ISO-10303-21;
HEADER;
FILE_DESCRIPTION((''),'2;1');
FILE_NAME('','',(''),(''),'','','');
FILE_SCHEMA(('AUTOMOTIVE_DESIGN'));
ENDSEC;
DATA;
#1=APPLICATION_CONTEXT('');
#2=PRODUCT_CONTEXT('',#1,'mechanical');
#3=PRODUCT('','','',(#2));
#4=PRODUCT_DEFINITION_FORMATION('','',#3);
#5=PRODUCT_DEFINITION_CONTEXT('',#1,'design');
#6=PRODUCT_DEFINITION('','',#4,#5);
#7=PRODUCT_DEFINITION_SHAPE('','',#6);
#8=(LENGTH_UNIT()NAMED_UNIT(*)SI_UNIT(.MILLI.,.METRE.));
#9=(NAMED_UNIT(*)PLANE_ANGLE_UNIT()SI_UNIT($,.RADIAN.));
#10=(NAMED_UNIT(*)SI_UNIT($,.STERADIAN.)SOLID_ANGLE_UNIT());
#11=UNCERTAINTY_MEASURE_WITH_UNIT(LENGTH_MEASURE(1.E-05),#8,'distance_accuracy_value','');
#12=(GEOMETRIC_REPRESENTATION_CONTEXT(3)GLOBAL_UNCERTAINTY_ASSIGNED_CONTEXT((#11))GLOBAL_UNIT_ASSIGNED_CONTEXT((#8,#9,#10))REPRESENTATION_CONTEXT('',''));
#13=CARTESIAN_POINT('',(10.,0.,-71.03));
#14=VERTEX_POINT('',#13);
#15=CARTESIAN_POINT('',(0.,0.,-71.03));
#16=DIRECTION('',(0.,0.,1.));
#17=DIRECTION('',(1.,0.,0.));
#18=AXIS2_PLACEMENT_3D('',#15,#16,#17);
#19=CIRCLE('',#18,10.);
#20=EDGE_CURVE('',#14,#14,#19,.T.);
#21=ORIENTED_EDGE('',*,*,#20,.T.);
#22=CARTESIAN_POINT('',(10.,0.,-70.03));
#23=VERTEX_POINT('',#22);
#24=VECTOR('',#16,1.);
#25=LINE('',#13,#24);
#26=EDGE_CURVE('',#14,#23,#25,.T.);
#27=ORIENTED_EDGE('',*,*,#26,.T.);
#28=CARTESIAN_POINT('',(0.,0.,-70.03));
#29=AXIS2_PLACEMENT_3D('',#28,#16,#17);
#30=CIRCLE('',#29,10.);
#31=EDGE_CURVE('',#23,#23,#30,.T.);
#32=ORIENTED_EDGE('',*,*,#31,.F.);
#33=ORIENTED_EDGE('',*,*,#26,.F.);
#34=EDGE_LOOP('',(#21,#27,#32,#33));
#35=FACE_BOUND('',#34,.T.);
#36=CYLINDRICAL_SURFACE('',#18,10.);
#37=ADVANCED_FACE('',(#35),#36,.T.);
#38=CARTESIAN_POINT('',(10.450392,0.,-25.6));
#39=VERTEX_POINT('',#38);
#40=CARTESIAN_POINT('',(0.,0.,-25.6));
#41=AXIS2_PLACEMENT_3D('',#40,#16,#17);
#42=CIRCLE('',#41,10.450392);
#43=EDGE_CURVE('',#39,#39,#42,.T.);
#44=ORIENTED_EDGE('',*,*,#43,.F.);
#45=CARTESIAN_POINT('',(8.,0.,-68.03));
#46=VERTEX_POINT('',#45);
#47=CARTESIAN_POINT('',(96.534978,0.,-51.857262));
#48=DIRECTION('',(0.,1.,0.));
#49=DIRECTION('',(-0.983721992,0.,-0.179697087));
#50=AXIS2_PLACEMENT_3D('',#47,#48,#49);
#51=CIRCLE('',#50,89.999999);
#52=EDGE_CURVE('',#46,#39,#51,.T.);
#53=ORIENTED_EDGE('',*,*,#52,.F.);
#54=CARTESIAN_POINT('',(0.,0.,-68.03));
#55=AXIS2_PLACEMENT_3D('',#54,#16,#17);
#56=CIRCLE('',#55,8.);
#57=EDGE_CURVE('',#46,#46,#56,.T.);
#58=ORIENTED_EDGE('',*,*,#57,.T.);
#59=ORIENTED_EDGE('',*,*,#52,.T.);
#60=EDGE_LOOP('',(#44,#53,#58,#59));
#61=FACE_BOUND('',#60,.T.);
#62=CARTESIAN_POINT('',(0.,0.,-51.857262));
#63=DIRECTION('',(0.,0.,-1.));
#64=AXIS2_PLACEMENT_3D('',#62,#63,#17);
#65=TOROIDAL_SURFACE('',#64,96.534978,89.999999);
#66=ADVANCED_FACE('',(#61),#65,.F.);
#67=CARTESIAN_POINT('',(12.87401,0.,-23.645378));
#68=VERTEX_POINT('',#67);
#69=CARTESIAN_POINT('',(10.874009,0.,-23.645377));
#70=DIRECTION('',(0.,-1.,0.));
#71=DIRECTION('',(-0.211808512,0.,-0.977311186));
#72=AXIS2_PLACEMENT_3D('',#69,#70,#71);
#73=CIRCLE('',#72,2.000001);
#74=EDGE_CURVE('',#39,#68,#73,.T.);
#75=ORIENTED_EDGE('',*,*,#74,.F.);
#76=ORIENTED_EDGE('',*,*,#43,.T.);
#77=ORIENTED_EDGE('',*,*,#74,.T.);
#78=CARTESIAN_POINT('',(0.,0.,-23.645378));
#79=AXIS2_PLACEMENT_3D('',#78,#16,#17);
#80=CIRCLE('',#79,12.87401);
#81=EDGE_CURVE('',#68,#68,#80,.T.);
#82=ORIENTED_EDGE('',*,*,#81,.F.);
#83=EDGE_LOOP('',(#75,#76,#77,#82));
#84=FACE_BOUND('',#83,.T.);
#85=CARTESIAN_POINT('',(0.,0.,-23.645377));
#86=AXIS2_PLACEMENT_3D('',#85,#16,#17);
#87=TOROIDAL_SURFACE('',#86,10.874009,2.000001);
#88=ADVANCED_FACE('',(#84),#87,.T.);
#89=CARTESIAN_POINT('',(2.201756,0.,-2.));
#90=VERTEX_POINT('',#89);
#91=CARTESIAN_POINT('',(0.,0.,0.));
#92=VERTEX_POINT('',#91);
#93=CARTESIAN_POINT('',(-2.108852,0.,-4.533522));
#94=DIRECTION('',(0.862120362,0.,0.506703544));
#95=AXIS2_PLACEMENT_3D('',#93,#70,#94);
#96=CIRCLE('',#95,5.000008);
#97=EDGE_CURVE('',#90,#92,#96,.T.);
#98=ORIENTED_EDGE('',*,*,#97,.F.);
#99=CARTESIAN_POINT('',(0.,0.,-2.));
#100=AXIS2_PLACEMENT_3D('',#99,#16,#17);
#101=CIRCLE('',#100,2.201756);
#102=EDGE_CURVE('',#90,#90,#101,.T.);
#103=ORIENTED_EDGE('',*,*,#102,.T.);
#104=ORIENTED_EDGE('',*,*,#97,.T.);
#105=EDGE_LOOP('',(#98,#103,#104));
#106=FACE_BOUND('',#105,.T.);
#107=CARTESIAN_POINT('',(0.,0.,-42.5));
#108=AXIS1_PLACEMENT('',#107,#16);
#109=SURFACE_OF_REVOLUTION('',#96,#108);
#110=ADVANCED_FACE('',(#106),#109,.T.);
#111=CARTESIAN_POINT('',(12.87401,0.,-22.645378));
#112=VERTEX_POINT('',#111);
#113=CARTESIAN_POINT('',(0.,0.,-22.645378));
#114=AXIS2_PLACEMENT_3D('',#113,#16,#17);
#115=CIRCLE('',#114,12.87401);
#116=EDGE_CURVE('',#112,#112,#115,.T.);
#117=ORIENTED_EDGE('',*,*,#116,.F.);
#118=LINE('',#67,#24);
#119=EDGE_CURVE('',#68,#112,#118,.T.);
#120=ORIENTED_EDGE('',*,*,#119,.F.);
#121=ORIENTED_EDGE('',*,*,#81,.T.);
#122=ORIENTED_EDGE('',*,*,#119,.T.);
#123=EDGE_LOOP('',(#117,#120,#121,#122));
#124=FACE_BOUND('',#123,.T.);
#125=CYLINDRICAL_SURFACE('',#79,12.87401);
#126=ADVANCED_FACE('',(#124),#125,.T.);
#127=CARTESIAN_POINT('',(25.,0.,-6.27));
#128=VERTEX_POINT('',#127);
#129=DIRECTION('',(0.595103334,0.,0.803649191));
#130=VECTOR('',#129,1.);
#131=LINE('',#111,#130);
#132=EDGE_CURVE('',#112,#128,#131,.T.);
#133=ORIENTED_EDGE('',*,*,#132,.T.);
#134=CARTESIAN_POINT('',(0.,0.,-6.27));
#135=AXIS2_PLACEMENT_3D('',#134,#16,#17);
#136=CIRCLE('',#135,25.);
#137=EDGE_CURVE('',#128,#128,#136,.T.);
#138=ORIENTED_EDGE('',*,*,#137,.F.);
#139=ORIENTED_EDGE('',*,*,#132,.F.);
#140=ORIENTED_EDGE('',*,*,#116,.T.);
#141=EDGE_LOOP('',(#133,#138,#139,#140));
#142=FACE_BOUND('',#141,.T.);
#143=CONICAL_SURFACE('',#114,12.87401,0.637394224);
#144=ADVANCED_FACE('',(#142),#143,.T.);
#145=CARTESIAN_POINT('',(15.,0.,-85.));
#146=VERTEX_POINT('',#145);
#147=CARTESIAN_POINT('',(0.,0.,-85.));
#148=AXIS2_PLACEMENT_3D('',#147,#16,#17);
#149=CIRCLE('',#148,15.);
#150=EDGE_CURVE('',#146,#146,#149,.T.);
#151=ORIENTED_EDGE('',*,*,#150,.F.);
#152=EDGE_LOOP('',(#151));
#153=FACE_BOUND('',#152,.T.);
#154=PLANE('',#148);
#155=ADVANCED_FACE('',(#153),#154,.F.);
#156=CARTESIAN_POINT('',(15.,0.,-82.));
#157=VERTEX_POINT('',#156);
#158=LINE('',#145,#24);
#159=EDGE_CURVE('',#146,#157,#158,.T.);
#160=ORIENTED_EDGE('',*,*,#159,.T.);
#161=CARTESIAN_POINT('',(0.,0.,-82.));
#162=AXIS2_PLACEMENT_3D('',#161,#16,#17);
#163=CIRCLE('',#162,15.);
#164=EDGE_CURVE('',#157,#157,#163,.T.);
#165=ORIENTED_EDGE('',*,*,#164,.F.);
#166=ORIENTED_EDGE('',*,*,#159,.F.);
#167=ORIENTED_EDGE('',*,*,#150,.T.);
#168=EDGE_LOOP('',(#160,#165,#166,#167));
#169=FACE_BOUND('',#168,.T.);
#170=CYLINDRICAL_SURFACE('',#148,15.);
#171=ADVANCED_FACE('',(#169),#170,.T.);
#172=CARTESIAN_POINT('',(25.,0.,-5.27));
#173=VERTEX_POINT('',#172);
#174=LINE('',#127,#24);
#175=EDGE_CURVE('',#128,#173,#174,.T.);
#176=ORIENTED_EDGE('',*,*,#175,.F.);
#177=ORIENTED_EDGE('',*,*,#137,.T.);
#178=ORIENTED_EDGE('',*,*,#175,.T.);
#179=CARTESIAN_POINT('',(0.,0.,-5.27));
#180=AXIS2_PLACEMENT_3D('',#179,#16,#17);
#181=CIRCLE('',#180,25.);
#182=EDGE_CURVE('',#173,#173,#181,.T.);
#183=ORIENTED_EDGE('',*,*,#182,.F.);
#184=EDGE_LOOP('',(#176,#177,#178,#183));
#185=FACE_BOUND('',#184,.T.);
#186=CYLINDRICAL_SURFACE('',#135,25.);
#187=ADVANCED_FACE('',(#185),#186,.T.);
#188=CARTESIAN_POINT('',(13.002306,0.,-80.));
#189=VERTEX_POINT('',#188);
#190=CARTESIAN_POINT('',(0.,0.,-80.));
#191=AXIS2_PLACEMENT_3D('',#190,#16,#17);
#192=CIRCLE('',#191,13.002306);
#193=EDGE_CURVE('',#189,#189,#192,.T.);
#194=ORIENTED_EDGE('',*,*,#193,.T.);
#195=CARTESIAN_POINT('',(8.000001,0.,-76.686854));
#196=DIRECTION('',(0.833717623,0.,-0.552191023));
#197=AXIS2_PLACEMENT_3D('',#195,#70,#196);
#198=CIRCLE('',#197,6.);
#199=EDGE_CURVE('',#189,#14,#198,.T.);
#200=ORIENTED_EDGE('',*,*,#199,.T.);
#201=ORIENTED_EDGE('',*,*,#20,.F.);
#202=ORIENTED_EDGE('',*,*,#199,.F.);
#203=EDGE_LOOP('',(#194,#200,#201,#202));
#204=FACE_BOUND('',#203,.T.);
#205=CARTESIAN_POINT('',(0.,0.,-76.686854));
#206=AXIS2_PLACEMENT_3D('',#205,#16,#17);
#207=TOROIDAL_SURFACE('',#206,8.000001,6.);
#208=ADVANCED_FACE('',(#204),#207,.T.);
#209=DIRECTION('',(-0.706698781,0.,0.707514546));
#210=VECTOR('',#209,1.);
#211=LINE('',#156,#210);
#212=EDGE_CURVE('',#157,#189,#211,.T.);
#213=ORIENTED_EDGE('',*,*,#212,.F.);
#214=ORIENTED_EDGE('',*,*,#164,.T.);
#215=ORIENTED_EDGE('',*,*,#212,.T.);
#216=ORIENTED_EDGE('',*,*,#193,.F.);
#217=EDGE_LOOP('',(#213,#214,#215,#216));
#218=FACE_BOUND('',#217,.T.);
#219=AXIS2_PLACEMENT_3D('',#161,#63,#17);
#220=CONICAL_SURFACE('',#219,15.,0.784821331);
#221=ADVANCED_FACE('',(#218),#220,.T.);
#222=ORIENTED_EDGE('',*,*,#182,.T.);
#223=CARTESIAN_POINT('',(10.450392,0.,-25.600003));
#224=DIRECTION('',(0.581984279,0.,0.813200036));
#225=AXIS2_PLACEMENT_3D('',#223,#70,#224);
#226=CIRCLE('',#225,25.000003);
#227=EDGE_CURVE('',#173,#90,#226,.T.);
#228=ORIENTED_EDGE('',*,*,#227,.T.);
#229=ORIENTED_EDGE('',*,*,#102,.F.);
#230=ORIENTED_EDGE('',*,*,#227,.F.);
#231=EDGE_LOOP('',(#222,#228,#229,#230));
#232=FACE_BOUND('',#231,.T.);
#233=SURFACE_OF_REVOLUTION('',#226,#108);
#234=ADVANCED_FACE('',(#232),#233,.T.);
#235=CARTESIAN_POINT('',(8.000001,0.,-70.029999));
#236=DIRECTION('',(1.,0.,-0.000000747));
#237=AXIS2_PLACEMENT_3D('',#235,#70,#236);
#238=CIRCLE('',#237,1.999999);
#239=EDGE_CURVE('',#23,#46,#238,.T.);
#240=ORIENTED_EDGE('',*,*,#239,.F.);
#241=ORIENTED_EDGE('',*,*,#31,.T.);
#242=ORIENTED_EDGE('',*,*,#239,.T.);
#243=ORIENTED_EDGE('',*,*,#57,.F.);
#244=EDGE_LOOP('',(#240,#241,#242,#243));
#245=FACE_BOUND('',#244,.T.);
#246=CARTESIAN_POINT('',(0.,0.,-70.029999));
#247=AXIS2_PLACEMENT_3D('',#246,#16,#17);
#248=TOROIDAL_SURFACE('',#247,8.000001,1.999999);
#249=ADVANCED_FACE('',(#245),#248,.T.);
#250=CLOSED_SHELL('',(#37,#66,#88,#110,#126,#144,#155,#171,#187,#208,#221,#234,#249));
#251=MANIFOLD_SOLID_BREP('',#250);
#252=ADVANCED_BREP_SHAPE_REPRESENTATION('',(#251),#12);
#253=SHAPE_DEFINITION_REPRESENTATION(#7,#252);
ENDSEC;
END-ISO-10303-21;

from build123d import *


with BuildPart() as f1:
    # F0 (on Front) → F1 (revolve)
    with BuildSketch(Plane.XZ):
        with BuildLine():
            Line((25, -6.27), (25, -5.27))
            ThreePointArc((25, -5.27), (13.999869, -0.853259), (2.201756, -2))
            ThreePointArc((2.201756, -2), (1.253047, -0.83248), (0, 0))
            Line((0, 0), (0, -85))
            Line((0, -85), (15, -85))
            Line((15, -85), (15, -82))
            Line((15, -82), (13.002306, -80))
            ThreePointArc((13.002306, -80), (13.689754, -74.782464), (10, -71.03))
            Line((10, -71.03), (10, -70.03))
            ThreePointArc((10, -70.03), (9.414214, -68.615786), (8, -68.03))
            ThreePointArc((8, -68.03), (6.68469, -46.668282), (10.450392, -25.6))
            ThreePointArc((10.450392, -25.6), (12.12955, -25.202175), (12.87401, -23.645378))
            Line((12.87401, -23.645378), (12.87401, -22.645378))
            Line((12.87401, -22.645378), (25, -6.27))
        make_face()
    revolve(axis=Axis((0, 0, -42.5), (0, 0, 1)))


solid = f1.part
